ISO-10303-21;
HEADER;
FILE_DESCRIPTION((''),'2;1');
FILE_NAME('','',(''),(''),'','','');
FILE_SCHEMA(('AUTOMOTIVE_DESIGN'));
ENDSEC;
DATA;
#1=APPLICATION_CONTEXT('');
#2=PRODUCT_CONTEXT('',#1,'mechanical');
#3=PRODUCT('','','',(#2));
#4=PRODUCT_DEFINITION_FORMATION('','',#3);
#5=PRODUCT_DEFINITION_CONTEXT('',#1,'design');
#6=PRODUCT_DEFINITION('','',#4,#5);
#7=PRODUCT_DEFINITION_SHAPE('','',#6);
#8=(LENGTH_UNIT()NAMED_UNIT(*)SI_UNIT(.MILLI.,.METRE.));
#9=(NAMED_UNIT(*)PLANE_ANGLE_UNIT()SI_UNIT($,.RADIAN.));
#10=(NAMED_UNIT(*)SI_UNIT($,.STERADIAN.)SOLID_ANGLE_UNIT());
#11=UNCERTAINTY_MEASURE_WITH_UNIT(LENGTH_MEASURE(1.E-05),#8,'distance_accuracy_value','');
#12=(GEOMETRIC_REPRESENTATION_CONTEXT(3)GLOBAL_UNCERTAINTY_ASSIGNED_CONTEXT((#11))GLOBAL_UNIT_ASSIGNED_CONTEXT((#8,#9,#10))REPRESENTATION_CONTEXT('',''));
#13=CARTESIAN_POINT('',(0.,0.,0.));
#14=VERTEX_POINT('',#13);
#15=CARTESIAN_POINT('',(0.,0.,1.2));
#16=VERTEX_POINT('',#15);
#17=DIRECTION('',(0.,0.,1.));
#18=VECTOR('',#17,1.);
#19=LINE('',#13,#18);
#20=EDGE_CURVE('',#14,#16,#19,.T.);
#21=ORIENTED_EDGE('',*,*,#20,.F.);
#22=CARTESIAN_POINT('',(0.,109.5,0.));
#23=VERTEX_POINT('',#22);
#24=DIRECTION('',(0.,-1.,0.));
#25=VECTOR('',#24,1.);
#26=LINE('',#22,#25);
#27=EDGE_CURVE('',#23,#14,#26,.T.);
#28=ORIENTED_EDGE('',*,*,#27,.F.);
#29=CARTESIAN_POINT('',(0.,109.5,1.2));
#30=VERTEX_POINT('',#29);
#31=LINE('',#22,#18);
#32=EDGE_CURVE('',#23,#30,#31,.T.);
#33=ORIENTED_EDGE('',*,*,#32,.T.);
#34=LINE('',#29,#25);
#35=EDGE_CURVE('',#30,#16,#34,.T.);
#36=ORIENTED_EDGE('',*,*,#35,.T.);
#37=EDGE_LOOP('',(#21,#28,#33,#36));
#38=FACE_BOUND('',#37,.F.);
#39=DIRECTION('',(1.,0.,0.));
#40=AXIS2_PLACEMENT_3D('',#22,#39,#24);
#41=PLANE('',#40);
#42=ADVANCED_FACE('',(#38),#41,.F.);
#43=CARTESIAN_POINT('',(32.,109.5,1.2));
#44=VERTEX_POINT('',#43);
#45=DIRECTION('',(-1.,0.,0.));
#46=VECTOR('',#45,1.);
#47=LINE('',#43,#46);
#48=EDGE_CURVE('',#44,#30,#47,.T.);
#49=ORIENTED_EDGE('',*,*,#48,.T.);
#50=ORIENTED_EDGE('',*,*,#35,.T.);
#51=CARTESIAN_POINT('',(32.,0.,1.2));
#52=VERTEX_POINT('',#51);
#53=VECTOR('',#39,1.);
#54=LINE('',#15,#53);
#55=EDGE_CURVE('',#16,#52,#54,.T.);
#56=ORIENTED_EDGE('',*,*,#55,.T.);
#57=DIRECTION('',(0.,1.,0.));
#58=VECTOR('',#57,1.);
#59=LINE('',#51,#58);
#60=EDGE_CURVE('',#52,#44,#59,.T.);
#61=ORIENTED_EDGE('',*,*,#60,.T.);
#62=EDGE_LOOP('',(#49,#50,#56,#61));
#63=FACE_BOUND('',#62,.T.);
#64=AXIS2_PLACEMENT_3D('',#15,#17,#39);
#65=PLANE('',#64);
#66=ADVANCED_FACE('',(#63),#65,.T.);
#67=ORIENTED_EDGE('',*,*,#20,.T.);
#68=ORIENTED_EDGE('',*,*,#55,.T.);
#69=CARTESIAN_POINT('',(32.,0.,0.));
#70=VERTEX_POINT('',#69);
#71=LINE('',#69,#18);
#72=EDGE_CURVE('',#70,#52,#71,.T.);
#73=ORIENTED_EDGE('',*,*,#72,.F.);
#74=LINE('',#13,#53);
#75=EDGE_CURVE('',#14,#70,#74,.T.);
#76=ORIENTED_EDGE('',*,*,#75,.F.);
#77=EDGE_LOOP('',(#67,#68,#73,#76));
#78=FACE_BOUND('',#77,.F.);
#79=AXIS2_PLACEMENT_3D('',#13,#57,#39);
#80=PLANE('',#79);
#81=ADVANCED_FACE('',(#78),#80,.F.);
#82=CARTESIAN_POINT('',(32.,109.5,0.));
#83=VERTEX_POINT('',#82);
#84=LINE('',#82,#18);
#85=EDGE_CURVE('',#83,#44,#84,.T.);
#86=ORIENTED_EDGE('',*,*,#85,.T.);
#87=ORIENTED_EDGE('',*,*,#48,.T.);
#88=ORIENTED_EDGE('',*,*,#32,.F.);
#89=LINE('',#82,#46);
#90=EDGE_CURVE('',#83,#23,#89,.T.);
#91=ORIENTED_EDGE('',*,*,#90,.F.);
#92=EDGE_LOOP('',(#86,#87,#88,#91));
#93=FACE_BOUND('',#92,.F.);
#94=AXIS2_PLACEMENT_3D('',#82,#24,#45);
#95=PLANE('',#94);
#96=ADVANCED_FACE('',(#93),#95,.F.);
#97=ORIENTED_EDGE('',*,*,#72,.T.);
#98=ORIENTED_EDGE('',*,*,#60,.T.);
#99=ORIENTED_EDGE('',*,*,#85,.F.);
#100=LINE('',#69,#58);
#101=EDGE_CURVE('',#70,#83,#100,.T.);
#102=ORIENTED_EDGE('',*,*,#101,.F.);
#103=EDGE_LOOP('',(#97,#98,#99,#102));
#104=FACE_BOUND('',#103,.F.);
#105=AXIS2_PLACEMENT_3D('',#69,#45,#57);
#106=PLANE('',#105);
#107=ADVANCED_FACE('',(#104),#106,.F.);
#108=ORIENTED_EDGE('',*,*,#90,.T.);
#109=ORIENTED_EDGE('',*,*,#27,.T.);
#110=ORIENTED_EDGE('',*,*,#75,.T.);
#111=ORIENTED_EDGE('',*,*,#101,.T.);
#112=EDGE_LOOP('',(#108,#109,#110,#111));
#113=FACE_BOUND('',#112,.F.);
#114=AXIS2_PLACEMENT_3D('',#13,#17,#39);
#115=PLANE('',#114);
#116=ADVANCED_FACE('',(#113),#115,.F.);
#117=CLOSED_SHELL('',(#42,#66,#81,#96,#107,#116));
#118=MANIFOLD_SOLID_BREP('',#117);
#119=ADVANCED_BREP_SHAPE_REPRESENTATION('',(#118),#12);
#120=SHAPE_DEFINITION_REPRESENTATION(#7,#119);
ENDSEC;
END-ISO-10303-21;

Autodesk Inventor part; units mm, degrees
ref_plane "YZ Plane" through (0, 0, 0) normal (1, 0, 0) x (0, 1, 0)
ref_plane "XZ Plane" through (0, 0, 0) normal (0, 1, 0) x (-1, 0, 0)
ref_plane "XY Plane" through (0, 0, 0) normal (0, 0, 1) x (1, 0, 0)
sketch "Skizze1" plane through (0, 0, 0) normal (0, 0, 1) x (1, 0, 0)
  line L0 (0, 0) -> (32, 0)
  line L1 (32, 0) -> (32, 109.5)
  line L2 (32, 109.5) -> (0, 109.5)
  line L3 (0, 109.5) -> (0, 0)
  dimension "d0" = 32
  dimension "d1" = 109.5
extrude "Extrusion1" add sketch "Skizze1" along normal blind 1.2
properties part number "bett_V2_deckplatte" material "Holz (Walnuss)"
